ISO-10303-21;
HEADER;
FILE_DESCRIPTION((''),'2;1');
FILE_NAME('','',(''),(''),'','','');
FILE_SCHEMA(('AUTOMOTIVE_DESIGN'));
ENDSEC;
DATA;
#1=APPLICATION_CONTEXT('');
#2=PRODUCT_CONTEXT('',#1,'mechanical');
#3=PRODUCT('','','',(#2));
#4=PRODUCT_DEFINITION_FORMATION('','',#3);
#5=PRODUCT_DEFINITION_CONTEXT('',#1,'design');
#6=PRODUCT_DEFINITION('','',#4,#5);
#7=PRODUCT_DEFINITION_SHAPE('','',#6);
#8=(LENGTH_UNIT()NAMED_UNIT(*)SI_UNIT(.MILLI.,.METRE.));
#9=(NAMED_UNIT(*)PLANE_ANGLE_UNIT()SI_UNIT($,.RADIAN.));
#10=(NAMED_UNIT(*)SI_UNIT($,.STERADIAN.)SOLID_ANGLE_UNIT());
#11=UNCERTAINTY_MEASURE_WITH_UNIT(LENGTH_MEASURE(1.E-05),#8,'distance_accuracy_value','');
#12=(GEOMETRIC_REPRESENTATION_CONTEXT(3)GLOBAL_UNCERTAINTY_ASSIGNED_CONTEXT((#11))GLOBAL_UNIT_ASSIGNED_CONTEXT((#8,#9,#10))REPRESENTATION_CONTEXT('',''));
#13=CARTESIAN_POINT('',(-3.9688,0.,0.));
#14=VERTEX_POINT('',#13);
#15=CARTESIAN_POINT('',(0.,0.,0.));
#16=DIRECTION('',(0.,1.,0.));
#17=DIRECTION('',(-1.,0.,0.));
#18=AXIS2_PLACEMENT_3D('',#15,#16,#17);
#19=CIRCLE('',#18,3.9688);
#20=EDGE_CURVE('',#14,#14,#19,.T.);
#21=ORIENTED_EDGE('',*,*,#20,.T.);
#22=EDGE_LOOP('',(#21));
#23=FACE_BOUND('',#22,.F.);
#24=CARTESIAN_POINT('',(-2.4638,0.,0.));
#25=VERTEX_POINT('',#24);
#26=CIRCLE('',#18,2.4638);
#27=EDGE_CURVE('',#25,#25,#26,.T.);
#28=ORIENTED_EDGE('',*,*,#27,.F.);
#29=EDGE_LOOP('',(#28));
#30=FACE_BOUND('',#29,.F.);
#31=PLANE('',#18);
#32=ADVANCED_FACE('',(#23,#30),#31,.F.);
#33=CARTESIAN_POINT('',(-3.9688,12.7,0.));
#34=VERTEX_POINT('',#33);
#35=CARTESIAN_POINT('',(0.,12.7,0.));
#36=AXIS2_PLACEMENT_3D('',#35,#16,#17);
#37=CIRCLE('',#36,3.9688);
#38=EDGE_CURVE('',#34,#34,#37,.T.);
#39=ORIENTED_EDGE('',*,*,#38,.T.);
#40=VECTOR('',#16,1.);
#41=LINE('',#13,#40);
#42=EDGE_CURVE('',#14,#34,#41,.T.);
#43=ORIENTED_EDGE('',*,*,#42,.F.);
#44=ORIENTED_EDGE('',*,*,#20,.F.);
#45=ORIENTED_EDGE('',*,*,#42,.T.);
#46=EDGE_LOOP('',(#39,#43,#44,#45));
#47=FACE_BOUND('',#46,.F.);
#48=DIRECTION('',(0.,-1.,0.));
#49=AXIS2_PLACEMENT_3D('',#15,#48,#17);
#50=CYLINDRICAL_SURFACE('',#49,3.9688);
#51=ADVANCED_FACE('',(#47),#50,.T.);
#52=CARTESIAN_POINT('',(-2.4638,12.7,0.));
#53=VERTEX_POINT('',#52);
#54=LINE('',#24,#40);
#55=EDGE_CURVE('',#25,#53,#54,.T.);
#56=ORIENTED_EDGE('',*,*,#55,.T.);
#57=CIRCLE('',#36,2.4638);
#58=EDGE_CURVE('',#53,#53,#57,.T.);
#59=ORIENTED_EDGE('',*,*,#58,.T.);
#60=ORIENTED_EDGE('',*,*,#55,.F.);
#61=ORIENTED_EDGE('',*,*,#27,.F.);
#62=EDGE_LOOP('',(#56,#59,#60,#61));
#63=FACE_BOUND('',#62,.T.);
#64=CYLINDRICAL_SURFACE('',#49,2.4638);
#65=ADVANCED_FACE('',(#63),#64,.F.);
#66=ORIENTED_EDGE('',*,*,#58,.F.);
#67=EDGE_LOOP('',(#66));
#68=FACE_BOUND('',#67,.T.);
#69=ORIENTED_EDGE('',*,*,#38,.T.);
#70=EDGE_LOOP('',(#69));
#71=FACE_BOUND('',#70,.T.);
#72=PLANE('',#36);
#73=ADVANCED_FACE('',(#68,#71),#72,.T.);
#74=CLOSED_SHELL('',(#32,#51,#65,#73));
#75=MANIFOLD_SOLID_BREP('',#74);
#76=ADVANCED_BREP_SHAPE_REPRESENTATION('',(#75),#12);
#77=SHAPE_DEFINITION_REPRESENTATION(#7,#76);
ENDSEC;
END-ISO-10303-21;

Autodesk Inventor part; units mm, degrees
ref_plane "YZ Plane" through (0, 0, 0) normal (1, 0, 0) x (0, 1, 0)
ref_plane "XZ Plane" through (0, 0, 0) normal (0, 1, 0) x (-1, 0, 0)
ref_plane "XY Plane" through (0, 0, 0) normal (0, 0, 1) x (1, 0, 0)
sketch "Sketch1" plane through (0, 0, 0) normal (0, 1, 0) x (-1, 0, 0)
  circle A0 centre (0, 0) radius 2.4638
  circle A1 centre (0, 0) radius 3.9688
  dimension "d0" = 4.9276
  dimension "d1" = 7.9375
extrude "Extrusion4" add sketch "Sketch1" along normal blind 12.7
properties part number "Spacer (Nylon), .313''OD, 0.500''" material "ABS Plastic"
